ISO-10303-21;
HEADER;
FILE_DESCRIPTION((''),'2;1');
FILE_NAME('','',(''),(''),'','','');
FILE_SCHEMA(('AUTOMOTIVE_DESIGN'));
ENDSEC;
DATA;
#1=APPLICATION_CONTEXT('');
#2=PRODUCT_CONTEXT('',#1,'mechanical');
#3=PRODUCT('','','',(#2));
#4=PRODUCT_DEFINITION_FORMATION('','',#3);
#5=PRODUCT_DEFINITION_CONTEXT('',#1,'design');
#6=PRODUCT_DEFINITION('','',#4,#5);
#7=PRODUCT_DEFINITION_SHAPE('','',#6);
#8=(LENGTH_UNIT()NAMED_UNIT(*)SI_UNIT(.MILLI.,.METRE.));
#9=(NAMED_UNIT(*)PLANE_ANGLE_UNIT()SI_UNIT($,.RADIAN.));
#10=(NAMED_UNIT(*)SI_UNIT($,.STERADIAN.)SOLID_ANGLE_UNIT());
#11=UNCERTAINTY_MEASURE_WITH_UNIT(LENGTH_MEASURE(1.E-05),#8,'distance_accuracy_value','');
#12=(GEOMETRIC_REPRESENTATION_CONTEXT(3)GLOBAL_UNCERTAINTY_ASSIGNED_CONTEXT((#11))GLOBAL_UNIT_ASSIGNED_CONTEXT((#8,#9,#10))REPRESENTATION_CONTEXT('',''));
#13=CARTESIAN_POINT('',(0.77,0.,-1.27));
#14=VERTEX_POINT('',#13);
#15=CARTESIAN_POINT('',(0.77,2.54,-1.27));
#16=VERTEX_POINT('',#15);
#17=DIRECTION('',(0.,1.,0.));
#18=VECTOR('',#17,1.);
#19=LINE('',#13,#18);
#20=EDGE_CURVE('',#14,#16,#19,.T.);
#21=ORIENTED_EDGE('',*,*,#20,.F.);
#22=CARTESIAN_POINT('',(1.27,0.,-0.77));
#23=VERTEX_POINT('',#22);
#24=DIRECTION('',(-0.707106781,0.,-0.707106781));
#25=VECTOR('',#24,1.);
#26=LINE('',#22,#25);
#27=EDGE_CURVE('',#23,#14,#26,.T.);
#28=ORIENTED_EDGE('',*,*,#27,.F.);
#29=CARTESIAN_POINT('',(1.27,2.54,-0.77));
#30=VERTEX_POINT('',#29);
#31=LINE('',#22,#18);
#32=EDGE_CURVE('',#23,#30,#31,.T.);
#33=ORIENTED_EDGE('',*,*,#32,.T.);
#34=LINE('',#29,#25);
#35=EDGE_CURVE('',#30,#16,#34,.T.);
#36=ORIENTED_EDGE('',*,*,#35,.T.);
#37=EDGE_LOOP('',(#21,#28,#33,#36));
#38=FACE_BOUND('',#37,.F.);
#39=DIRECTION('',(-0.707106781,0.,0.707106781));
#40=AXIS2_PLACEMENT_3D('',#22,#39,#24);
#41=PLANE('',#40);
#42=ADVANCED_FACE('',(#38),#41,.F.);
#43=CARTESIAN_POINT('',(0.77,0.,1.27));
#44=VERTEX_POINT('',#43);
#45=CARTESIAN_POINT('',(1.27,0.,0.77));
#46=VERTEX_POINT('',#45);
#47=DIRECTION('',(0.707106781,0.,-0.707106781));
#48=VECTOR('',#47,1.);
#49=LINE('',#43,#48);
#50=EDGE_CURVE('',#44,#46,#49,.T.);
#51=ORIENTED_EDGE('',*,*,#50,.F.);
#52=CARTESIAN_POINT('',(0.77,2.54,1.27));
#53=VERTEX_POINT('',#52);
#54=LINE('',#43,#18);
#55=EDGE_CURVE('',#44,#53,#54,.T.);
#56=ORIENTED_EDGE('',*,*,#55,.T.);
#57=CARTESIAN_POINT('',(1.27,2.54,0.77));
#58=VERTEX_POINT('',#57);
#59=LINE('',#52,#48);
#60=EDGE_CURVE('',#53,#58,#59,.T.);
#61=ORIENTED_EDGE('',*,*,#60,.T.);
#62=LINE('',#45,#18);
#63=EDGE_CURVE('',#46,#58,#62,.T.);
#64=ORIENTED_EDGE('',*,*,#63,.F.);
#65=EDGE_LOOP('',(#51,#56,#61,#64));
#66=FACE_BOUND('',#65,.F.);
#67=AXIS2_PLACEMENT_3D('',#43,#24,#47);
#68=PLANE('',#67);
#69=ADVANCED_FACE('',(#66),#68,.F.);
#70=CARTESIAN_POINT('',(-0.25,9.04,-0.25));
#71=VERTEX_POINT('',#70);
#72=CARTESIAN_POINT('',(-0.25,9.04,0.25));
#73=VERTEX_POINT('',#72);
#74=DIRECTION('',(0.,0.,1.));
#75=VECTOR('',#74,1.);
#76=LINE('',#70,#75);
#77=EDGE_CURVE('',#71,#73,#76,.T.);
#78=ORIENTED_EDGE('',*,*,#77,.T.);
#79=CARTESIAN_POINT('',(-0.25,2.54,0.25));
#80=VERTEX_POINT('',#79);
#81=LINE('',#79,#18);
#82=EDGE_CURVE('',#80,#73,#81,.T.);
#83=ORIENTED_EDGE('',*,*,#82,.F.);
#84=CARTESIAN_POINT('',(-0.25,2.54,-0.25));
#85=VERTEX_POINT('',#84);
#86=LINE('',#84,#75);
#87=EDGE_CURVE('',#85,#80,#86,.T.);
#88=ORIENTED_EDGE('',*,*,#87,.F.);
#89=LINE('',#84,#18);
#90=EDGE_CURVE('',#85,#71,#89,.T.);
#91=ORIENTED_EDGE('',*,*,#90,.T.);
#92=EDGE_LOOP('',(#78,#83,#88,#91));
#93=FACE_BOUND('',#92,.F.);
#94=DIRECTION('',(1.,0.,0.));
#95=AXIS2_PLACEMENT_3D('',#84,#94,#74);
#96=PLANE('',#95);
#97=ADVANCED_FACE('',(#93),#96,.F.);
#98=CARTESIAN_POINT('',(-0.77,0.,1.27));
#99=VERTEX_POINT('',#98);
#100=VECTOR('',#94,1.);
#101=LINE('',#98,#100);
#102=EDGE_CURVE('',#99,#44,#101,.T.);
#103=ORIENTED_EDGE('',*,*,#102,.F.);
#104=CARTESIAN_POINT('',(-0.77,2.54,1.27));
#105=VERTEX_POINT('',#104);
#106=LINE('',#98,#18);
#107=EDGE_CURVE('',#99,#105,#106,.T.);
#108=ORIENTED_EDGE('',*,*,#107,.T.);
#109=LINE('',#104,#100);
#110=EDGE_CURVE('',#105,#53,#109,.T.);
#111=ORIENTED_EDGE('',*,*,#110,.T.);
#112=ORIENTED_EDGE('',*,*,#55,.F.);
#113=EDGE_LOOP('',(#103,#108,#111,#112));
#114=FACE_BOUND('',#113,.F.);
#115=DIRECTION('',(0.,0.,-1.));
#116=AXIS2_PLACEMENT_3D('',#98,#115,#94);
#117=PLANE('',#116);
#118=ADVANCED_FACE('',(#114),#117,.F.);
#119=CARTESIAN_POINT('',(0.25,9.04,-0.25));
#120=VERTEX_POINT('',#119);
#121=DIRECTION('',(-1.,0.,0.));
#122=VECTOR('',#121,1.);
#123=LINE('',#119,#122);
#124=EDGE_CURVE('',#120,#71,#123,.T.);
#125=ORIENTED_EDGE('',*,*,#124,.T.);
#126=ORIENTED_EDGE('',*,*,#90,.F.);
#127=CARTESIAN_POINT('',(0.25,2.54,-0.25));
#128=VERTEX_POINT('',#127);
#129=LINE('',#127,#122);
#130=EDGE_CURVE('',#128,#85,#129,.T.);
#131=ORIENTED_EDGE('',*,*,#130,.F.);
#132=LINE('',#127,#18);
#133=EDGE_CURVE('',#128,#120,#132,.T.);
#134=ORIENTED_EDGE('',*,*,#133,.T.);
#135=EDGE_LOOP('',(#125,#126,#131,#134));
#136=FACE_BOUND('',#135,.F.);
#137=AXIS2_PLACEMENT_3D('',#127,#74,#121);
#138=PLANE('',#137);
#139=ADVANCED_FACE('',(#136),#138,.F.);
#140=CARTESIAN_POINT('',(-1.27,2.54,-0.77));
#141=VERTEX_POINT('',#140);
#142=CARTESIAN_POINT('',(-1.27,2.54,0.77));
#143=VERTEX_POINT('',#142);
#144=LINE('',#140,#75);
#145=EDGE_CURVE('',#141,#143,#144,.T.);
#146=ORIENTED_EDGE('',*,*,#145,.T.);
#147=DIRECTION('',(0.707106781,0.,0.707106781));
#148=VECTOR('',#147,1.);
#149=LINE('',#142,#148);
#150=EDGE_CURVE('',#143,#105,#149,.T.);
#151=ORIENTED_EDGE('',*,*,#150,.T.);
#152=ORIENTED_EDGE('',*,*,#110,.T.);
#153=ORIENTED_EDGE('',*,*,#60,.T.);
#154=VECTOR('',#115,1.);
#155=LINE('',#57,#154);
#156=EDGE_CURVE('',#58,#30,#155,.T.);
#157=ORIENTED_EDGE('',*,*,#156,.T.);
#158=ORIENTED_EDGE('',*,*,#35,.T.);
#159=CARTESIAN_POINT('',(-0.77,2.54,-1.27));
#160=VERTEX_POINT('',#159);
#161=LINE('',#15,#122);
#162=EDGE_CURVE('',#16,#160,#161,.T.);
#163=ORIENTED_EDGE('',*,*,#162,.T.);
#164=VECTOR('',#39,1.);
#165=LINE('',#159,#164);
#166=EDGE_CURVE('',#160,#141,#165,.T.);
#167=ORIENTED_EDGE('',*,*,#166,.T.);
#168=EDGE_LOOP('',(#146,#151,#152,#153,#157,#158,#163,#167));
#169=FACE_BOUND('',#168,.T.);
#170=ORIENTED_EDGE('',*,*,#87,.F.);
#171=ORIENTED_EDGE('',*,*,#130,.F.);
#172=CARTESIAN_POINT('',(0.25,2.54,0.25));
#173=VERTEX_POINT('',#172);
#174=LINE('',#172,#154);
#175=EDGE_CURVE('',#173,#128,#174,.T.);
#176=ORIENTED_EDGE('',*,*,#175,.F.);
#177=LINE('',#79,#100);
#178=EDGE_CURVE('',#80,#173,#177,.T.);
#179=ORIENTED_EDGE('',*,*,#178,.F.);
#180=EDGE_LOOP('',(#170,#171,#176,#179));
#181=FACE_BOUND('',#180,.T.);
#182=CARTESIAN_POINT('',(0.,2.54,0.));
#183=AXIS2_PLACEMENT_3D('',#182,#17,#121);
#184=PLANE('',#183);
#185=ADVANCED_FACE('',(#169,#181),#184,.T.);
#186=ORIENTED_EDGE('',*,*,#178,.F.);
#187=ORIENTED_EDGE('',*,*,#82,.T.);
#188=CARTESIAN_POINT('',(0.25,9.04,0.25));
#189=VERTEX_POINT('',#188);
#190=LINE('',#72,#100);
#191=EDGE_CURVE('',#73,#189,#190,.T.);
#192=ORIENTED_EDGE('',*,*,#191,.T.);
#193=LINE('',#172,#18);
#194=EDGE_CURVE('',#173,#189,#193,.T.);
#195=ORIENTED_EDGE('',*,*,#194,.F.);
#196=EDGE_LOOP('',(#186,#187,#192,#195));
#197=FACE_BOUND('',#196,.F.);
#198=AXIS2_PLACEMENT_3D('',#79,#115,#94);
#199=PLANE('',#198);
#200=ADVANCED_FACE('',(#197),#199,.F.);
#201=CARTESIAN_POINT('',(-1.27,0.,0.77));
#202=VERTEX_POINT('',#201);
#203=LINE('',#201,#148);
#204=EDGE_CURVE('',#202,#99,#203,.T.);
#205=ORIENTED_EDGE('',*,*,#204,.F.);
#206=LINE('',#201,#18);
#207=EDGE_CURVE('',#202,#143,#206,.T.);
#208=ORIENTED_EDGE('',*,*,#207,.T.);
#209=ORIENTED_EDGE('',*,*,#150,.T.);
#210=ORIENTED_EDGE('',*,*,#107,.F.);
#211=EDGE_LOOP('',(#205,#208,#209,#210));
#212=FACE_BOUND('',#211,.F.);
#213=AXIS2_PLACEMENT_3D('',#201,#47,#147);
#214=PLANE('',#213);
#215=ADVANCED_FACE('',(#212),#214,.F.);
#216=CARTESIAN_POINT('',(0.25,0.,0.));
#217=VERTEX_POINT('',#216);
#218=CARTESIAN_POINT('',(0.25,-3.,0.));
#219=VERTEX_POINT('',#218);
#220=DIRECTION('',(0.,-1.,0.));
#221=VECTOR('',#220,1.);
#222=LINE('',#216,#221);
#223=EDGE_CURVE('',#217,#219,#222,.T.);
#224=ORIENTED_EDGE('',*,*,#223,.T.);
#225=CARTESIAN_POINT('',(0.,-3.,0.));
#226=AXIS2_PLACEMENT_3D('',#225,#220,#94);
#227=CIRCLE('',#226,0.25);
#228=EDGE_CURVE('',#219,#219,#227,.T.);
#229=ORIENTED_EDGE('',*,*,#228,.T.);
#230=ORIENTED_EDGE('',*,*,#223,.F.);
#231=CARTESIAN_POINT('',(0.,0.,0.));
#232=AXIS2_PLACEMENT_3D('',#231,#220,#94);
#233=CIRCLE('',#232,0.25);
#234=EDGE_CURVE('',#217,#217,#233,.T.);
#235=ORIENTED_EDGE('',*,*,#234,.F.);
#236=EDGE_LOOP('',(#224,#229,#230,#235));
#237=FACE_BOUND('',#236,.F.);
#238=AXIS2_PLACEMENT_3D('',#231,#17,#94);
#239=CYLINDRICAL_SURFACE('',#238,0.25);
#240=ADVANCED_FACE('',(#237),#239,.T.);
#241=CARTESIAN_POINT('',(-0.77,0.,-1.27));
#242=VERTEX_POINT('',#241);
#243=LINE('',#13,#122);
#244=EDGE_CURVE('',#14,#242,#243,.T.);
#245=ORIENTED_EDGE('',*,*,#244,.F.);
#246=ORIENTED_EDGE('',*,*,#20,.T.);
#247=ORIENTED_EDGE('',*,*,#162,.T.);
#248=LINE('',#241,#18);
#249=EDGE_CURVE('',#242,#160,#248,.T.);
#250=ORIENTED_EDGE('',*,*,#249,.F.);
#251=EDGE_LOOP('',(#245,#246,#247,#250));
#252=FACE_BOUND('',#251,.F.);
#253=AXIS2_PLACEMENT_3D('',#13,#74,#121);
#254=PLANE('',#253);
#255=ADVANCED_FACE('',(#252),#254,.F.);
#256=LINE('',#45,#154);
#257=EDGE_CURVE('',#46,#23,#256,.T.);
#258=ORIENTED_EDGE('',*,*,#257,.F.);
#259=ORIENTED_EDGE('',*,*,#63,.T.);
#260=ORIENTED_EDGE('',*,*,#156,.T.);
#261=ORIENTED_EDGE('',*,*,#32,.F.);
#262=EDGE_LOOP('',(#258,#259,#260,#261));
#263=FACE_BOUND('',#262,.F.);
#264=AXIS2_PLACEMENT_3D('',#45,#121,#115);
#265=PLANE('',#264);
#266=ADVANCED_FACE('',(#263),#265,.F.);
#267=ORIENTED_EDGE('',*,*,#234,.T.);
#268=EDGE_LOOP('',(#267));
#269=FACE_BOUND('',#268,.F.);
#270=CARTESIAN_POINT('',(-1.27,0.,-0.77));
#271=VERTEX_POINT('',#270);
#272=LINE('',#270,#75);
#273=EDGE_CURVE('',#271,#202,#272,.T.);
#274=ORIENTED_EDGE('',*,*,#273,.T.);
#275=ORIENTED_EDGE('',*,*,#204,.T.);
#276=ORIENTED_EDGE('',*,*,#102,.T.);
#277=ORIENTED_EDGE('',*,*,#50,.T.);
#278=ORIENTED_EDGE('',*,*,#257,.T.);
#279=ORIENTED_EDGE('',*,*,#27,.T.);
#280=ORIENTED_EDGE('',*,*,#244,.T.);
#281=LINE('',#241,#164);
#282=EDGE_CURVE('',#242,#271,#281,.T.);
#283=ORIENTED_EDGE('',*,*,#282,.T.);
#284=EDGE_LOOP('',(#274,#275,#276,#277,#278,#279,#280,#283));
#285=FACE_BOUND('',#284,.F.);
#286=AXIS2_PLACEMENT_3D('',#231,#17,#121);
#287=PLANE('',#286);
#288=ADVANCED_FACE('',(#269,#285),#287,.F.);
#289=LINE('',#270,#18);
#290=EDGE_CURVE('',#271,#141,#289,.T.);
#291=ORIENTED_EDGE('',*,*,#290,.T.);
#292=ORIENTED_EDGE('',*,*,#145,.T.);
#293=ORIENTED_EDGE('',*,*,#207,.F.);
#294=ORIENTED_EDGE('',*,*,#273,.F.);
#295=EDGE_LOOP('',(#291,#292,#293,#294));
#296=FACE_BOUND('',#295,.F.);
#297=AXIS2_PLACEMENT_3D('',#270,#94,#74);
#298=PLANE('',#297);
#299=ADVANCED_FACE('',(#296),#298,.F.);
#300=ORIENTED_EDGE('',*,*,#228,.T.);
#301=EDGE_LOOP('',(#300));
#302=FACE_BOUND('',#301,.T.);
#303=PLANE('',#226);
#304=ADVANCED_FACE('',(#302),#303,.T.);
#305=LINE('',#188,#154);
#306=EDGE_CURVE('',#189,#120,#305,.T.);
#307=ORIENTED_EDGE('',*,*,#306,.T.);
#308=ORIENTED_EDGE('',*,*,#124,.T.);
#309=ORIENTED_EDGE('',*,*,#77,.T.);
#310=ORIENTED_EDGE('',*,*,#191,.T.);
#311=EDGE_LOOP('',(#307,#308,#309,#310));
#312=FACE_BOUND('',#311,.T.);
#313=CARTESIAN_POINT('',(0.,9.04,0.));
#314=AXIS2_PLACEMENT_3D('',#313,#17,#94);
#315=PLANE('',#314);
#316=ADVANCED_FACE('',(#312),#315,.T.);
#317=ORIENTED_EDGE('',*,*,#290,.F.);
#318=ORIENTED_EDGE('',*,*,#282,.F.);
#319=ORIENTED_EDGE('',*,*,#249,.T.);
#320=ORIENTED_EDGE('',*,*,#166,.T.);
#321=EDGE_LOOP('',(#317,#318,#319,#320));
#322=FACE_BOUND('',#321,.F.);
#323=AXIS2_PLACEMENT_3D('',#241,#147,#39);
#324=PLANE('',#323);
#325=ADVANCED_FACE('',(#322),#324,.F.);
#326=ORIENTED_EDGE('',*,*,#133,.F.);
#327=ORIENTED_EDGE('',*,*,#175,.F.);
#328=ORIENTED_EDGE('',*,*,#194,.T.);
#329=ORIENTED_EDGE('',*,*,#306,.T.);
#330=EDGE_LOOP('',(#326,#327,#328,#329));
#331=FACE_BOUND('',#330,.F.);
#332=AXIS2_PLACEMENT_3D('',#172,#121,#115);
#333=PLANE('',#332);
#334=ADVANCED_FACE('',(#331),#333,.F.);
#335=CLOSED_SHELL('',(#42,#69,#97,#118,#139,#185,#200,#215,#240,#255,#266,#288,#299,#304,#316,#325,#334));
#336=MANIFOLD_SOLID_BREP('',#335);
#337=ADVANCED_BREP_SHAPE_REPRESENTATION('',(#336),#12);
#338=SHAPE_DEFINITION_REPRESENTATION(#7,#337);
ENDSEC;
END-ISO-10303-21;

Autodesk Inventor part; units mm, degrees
ref_plane "YZ Plane" through (0, 0, 0) normal (1, 0, 0) x (0, 1, 0)
ref_plane "XZ Plane" through (0, 0, 0) normal (0, 1, 0) x (-1, 0, 0)
ref_plane "XY Plane" through (0, 0, 0) normal (0, 0, 1) x (1, 0, 0)
sketch "Sketch3" plane through (0, 0, 0) normal (0, 1, 0) x (-1, 0, 0)
  line L0 (0.77, 1.27) -> (-0.77, 1.27)
  line L1 (-1.27, 0.77) -> (-1.27, -0.77)
  line L2 (-0.77, -1.27) -> (0.77, -1.27)
  line L3 (1.27, -0.77) -> (1.27, 0.77)
  line L4 (1.27, 0.77) -> (0.77, 1.27)
  line L5 (-0.77, 1.27) -> (-1.27, 0.77)
  line L6 (-1.27, -0.77) -> (-0.77, -1.27)
  line L7 (0.77, -1.27) -> (1.27, -0.77)
  point P0 (0, 0)
  point P1 (-1.27, 0)
  point P2 (0, -1.27)
  dimension "d6" = 2.54
  dimension "d7" = 0.5
  dimension "d8" = 45
extrude "Extrusion3" add sketch "Sketch3" along normal blind 2.54
sketch "Sketch4" plane through (0, 2.54, 0) normal (0, 1, 0) x (1, 0, 0)
  line L0 (-0.25, -0.25) -> (0.25, -0.25)
  line L1 (0.25, -0.25) -> (0.25, 0.25)
  line L2 (0.25, 0.25) -> (-0.25, 0.25)
  line L3 (-0.25, 0.25) -> (-0.25, -0.25)
  point P0 (0, 0)
  point P1 (0, 0.25)
  point P2 (-0.25, 0)
  dimension "d11" = 0.5
extrude "Extrusion4" add sketch "Sketch4" along normal blind 6.5
sketch "Sketch5" plane through (0, 0, 0) normal (0, -1, 0) x (1, 0, 0)
  circle A0 centre (0, 0) radius 0.25
  dimension "d14" = 0.5
extrude "Extrusion5" add sketch "Sketch5" along normal blind 3
properties part number "Pin-round-2.54-male"
